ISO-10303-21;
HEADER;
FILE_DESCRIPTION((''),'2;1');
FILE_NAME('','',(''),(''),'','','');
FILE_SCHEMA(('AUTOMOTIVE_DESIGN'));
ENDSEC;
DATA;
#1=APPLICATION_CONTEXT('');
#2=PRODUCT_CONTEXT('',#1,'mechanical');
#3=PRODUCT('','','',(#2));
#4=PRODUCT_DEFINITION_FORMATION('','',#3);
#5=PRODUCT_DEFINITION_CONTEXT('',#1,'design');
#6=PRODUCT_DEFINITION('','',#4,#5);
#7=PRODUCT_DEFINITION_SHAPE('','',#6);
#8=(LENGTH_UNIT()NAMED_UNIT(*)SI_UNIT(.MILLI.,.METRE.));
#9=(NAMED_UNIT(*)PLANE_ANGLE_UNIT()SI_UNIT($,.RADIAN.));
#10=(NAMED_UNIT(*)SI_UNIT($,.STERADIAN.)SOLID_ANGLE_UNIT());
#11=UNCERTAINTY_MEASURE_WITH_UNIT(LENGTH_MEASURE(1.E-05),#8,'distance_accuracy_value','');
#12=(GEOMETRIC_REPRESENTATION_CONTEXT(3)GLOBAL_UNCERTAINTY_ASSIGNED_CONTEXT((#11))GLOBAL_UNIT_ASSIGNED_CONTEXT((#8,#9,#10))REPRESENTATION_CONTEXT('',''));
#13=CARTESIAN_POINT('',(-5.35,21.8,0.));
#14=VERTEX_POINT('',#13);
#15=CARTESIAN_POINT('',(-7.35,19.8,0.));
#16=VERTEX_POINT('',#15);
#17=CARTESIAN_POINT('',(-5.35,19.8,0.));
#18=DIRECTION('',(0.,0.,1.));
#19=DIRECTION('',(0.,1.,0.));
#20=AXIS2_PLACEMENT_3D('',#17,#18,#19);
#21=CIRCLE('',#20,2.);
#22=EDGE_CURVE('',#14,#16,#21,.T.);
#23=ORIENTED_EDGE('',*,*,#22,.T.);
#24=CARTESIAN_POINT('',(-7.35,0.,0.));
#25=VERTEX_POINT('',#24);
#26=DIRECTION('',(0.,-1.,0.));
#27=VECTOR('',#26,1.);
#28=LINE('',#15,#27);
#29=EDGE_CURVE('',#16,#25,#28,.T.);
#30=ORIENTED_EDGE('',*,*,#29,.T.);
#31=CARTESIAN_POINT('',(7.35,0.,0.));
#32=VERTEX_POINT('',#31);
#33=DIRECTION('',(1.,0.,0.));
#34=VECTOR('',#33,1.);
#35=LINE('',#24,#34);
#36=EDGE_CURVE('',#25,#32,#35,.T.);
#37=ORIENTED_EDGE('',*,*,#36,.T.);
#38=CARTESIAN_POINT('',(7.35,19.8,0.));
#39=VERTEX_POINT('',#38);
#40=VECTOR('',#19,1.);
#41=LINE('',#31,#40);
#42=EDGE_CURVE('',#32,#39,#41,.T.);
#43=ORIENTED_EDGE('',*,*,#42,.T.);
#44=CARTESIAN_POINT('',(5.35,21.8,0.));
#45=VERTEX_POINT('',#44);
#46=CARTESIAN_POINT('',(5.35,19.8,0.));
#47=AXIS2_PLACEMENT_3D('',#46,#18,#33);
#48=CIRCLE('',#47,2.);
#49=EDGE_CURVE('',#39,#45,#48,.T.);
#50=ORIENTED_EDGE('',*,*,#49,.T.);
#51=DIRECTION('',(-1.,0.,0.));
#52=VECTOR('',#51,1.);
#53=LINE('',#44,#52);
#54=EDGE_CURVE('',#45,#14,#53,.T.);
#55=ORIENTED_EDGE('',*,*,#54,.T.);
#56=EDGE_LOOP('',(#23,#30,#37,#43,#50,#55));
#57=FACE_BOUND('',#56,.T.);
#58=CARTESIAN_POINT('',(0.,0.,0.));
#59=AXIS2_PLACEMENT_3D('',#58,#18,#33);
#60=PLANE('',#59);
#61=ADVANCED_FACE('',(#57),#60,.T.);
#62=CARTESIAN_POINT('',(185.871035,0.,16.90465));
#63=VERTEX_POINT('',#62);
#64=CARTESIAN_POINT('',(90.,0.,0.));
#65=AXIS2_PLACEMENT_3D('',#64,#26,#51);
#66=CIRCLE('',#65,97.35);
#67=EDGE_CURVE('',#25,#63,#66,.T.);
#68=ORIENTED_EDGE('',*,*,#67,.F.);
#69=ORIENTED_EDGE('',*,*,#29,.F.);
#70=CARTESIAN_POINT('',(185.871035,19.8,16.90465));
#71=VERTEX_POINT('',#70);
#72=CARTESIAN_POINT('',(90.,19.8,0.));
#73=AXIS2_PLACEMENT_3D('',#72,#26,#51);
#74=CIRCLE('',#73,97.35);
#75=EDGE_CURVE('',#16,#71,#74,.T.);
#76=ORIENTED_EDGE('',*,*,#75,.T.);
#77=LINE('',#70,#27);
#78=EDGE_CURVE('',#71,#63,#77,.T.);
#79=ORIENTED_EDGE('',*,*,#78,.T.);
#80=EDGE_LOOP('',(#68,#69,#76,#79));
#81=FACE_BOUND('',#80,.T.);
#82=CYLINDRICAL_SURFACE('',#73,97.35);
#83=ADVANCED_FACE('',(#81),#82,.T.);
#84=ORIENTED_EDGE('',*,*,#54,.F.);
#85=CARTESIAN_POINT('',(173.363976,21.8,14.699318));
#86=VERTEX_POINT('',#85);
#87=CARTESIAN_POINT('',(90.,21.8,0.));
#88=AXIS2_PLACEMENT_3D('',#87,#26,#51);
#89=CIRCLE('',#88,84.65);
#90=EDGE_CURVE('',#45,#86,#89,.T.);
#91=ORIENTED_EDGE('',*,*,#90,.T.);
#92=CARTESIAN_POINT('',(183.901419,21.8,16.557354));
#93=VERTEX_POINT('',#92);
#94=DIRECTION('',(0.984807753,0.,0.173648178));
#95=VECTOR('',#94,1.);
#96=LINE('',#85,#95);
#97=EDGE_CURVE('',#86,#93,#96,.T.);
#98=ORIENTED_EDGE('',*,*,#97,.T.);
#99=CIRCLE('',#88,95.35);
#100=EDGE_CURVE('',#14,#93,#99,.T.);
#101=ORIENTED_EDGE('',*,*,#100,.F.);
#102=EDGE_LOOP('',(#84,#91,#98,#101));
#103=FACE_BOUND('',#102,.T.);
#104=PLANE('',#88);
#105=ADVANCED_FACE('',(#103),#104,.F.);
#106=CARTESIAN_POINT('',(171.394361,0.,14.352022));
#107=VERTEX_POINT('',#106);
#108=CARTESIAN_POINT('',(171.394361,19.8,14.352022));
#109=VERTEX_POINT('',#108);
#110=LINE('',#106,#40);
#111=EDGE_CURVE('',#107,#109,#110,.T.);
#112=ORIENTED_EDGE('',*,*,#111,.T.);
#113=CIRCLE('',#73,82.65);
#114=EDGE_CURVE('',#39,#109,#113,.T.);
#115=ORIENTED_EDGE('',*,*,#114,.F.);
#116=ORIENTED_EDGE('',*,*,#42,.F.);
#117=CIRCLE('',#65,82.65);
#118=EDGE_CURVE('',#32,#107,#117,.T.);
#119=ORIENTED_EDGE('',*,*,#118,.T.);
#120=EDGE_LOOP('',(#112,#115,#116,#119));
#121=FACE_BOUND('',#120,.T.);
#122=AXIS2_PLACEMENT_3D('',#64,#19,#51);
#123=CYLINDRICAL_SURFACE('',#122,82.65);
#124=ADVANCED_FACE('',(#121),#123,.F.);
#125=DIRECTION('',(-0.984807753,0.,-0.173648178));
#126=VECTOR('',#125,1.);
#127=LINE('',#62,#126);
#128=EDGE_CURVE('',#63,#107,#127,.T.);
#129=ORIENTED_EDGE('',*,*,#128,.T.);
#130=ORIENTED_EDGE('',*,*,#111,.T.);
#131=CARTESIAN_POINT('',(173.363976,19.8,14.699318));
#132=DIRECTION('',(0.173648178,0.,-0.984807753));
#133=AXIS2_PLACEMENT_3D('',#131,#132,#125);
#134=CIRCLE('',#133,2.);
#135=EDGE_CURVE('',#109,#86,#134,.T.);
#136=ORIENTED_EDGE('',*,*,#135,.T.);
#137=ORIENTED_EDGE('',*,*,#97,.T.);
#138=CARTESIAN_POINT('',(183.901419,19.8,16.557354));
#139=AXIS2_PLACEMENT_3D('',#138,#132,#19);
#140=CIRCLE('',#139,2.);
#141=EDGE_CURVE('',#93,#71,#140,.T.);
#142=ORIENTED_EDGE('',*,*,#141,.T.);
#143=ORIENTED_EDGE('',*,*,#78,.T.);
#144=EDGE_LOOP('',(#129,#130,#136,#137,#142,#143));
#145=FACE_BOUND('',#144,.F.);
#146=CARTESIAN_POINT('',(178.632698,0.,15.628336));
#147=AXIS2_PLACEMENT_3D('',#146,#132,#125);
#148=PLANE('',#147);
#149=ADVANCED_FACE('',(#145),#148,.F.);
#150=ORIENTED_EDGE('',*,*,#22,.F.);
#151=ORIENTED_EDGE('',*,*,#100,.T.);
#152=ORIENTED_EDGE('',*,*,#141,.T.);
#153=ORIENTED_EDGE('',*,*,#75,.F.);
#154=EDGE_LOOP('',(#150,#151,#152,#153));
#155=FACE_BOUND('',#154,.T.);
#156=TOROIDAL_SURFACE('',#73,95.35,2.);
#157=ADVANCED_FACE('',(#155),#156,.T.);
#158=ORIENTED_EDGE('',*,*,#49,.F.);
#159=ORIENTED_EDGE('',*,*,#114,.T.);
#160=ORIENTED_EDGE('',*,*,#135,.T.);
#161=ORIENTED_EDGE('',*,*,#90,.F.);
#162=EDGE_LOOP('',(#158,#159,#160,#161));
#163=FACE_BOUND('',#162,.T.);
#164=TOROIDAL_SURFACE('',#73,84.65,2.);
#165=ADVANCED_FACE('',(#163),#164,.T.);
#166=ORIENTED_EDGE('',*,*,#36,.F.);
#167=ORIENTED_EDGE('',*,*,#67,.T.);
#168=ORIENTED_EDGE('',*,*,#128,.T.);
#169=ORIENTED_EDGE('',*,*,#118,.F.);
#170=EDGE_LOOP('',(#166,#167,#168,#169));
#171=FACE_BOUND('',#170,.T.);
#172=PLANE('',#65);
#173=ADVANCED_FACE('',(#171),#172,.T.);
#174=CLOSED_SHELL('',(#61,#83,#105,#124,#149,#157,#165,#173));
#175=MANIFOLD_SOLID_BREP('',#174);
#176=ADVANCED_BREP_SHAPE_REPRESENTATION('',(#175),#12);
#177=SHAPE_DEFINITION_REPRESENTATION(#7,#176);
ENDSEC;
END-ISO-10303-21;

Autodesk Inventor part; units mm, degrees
ref_plane "YZ Plane" through (0, 0, 0) normal (1, 0, 0) x (0, 1, 0)
ref_plane "XZ Plane" through (0, 0, 0) normal (0, 1, 0) x (-1, 0, 0)
ref_plane "XY Plane" through (0, 0, 0) normal (0, 0, 1) x (1, 0, 0)
sketch "Sketch1" plane through (0, 0, 0) normal (0, 0, 1) x (1, 0, 0)
  line L0 (7.35, 0) -> (7.35, 19.8)
  line L1 (7.35, 0) -> (27.15, 0) construction
  line L2 (5.35, 21.8) -> (-5.35, 21.8)
  line L3 (-7.35, 19.8) -> (-7.35, 0)
  line L4 (-7.35, 0) -> (7.35, 0)
  arc A0 (-5.35, 21.8) -> (-7.35, 19.8) centre (-5.35, 19.8) ccw
  arc A1 (7.35, 19.8) -> (5.35, 21.8) centre (5.35, 19.8) ccw
  line L5 (90, 15.1029) -> (90, 0) construction
  point P0 (0, 0)
  point P1 (7.35, 21.8)
  point P2 (-7.35, 21.8)
  point P3 (0, 0)
  dimension "d0" = 21.8
  dimension "d1" = 90
  dimension "d2" = 7.35
  dimension "d3" = 14.7
  dimension "d4" = 2
  dimension "d5" = 90
  dimension "d7" = 0
revolve "Revolution1" add sketch "Sketch1" angle 190 about axis through (90, 15.1029, 0) along (0, -1, 0)
equation "\"d2\" = 0.5 * d3"
properties part number "InertiaKitInner"
